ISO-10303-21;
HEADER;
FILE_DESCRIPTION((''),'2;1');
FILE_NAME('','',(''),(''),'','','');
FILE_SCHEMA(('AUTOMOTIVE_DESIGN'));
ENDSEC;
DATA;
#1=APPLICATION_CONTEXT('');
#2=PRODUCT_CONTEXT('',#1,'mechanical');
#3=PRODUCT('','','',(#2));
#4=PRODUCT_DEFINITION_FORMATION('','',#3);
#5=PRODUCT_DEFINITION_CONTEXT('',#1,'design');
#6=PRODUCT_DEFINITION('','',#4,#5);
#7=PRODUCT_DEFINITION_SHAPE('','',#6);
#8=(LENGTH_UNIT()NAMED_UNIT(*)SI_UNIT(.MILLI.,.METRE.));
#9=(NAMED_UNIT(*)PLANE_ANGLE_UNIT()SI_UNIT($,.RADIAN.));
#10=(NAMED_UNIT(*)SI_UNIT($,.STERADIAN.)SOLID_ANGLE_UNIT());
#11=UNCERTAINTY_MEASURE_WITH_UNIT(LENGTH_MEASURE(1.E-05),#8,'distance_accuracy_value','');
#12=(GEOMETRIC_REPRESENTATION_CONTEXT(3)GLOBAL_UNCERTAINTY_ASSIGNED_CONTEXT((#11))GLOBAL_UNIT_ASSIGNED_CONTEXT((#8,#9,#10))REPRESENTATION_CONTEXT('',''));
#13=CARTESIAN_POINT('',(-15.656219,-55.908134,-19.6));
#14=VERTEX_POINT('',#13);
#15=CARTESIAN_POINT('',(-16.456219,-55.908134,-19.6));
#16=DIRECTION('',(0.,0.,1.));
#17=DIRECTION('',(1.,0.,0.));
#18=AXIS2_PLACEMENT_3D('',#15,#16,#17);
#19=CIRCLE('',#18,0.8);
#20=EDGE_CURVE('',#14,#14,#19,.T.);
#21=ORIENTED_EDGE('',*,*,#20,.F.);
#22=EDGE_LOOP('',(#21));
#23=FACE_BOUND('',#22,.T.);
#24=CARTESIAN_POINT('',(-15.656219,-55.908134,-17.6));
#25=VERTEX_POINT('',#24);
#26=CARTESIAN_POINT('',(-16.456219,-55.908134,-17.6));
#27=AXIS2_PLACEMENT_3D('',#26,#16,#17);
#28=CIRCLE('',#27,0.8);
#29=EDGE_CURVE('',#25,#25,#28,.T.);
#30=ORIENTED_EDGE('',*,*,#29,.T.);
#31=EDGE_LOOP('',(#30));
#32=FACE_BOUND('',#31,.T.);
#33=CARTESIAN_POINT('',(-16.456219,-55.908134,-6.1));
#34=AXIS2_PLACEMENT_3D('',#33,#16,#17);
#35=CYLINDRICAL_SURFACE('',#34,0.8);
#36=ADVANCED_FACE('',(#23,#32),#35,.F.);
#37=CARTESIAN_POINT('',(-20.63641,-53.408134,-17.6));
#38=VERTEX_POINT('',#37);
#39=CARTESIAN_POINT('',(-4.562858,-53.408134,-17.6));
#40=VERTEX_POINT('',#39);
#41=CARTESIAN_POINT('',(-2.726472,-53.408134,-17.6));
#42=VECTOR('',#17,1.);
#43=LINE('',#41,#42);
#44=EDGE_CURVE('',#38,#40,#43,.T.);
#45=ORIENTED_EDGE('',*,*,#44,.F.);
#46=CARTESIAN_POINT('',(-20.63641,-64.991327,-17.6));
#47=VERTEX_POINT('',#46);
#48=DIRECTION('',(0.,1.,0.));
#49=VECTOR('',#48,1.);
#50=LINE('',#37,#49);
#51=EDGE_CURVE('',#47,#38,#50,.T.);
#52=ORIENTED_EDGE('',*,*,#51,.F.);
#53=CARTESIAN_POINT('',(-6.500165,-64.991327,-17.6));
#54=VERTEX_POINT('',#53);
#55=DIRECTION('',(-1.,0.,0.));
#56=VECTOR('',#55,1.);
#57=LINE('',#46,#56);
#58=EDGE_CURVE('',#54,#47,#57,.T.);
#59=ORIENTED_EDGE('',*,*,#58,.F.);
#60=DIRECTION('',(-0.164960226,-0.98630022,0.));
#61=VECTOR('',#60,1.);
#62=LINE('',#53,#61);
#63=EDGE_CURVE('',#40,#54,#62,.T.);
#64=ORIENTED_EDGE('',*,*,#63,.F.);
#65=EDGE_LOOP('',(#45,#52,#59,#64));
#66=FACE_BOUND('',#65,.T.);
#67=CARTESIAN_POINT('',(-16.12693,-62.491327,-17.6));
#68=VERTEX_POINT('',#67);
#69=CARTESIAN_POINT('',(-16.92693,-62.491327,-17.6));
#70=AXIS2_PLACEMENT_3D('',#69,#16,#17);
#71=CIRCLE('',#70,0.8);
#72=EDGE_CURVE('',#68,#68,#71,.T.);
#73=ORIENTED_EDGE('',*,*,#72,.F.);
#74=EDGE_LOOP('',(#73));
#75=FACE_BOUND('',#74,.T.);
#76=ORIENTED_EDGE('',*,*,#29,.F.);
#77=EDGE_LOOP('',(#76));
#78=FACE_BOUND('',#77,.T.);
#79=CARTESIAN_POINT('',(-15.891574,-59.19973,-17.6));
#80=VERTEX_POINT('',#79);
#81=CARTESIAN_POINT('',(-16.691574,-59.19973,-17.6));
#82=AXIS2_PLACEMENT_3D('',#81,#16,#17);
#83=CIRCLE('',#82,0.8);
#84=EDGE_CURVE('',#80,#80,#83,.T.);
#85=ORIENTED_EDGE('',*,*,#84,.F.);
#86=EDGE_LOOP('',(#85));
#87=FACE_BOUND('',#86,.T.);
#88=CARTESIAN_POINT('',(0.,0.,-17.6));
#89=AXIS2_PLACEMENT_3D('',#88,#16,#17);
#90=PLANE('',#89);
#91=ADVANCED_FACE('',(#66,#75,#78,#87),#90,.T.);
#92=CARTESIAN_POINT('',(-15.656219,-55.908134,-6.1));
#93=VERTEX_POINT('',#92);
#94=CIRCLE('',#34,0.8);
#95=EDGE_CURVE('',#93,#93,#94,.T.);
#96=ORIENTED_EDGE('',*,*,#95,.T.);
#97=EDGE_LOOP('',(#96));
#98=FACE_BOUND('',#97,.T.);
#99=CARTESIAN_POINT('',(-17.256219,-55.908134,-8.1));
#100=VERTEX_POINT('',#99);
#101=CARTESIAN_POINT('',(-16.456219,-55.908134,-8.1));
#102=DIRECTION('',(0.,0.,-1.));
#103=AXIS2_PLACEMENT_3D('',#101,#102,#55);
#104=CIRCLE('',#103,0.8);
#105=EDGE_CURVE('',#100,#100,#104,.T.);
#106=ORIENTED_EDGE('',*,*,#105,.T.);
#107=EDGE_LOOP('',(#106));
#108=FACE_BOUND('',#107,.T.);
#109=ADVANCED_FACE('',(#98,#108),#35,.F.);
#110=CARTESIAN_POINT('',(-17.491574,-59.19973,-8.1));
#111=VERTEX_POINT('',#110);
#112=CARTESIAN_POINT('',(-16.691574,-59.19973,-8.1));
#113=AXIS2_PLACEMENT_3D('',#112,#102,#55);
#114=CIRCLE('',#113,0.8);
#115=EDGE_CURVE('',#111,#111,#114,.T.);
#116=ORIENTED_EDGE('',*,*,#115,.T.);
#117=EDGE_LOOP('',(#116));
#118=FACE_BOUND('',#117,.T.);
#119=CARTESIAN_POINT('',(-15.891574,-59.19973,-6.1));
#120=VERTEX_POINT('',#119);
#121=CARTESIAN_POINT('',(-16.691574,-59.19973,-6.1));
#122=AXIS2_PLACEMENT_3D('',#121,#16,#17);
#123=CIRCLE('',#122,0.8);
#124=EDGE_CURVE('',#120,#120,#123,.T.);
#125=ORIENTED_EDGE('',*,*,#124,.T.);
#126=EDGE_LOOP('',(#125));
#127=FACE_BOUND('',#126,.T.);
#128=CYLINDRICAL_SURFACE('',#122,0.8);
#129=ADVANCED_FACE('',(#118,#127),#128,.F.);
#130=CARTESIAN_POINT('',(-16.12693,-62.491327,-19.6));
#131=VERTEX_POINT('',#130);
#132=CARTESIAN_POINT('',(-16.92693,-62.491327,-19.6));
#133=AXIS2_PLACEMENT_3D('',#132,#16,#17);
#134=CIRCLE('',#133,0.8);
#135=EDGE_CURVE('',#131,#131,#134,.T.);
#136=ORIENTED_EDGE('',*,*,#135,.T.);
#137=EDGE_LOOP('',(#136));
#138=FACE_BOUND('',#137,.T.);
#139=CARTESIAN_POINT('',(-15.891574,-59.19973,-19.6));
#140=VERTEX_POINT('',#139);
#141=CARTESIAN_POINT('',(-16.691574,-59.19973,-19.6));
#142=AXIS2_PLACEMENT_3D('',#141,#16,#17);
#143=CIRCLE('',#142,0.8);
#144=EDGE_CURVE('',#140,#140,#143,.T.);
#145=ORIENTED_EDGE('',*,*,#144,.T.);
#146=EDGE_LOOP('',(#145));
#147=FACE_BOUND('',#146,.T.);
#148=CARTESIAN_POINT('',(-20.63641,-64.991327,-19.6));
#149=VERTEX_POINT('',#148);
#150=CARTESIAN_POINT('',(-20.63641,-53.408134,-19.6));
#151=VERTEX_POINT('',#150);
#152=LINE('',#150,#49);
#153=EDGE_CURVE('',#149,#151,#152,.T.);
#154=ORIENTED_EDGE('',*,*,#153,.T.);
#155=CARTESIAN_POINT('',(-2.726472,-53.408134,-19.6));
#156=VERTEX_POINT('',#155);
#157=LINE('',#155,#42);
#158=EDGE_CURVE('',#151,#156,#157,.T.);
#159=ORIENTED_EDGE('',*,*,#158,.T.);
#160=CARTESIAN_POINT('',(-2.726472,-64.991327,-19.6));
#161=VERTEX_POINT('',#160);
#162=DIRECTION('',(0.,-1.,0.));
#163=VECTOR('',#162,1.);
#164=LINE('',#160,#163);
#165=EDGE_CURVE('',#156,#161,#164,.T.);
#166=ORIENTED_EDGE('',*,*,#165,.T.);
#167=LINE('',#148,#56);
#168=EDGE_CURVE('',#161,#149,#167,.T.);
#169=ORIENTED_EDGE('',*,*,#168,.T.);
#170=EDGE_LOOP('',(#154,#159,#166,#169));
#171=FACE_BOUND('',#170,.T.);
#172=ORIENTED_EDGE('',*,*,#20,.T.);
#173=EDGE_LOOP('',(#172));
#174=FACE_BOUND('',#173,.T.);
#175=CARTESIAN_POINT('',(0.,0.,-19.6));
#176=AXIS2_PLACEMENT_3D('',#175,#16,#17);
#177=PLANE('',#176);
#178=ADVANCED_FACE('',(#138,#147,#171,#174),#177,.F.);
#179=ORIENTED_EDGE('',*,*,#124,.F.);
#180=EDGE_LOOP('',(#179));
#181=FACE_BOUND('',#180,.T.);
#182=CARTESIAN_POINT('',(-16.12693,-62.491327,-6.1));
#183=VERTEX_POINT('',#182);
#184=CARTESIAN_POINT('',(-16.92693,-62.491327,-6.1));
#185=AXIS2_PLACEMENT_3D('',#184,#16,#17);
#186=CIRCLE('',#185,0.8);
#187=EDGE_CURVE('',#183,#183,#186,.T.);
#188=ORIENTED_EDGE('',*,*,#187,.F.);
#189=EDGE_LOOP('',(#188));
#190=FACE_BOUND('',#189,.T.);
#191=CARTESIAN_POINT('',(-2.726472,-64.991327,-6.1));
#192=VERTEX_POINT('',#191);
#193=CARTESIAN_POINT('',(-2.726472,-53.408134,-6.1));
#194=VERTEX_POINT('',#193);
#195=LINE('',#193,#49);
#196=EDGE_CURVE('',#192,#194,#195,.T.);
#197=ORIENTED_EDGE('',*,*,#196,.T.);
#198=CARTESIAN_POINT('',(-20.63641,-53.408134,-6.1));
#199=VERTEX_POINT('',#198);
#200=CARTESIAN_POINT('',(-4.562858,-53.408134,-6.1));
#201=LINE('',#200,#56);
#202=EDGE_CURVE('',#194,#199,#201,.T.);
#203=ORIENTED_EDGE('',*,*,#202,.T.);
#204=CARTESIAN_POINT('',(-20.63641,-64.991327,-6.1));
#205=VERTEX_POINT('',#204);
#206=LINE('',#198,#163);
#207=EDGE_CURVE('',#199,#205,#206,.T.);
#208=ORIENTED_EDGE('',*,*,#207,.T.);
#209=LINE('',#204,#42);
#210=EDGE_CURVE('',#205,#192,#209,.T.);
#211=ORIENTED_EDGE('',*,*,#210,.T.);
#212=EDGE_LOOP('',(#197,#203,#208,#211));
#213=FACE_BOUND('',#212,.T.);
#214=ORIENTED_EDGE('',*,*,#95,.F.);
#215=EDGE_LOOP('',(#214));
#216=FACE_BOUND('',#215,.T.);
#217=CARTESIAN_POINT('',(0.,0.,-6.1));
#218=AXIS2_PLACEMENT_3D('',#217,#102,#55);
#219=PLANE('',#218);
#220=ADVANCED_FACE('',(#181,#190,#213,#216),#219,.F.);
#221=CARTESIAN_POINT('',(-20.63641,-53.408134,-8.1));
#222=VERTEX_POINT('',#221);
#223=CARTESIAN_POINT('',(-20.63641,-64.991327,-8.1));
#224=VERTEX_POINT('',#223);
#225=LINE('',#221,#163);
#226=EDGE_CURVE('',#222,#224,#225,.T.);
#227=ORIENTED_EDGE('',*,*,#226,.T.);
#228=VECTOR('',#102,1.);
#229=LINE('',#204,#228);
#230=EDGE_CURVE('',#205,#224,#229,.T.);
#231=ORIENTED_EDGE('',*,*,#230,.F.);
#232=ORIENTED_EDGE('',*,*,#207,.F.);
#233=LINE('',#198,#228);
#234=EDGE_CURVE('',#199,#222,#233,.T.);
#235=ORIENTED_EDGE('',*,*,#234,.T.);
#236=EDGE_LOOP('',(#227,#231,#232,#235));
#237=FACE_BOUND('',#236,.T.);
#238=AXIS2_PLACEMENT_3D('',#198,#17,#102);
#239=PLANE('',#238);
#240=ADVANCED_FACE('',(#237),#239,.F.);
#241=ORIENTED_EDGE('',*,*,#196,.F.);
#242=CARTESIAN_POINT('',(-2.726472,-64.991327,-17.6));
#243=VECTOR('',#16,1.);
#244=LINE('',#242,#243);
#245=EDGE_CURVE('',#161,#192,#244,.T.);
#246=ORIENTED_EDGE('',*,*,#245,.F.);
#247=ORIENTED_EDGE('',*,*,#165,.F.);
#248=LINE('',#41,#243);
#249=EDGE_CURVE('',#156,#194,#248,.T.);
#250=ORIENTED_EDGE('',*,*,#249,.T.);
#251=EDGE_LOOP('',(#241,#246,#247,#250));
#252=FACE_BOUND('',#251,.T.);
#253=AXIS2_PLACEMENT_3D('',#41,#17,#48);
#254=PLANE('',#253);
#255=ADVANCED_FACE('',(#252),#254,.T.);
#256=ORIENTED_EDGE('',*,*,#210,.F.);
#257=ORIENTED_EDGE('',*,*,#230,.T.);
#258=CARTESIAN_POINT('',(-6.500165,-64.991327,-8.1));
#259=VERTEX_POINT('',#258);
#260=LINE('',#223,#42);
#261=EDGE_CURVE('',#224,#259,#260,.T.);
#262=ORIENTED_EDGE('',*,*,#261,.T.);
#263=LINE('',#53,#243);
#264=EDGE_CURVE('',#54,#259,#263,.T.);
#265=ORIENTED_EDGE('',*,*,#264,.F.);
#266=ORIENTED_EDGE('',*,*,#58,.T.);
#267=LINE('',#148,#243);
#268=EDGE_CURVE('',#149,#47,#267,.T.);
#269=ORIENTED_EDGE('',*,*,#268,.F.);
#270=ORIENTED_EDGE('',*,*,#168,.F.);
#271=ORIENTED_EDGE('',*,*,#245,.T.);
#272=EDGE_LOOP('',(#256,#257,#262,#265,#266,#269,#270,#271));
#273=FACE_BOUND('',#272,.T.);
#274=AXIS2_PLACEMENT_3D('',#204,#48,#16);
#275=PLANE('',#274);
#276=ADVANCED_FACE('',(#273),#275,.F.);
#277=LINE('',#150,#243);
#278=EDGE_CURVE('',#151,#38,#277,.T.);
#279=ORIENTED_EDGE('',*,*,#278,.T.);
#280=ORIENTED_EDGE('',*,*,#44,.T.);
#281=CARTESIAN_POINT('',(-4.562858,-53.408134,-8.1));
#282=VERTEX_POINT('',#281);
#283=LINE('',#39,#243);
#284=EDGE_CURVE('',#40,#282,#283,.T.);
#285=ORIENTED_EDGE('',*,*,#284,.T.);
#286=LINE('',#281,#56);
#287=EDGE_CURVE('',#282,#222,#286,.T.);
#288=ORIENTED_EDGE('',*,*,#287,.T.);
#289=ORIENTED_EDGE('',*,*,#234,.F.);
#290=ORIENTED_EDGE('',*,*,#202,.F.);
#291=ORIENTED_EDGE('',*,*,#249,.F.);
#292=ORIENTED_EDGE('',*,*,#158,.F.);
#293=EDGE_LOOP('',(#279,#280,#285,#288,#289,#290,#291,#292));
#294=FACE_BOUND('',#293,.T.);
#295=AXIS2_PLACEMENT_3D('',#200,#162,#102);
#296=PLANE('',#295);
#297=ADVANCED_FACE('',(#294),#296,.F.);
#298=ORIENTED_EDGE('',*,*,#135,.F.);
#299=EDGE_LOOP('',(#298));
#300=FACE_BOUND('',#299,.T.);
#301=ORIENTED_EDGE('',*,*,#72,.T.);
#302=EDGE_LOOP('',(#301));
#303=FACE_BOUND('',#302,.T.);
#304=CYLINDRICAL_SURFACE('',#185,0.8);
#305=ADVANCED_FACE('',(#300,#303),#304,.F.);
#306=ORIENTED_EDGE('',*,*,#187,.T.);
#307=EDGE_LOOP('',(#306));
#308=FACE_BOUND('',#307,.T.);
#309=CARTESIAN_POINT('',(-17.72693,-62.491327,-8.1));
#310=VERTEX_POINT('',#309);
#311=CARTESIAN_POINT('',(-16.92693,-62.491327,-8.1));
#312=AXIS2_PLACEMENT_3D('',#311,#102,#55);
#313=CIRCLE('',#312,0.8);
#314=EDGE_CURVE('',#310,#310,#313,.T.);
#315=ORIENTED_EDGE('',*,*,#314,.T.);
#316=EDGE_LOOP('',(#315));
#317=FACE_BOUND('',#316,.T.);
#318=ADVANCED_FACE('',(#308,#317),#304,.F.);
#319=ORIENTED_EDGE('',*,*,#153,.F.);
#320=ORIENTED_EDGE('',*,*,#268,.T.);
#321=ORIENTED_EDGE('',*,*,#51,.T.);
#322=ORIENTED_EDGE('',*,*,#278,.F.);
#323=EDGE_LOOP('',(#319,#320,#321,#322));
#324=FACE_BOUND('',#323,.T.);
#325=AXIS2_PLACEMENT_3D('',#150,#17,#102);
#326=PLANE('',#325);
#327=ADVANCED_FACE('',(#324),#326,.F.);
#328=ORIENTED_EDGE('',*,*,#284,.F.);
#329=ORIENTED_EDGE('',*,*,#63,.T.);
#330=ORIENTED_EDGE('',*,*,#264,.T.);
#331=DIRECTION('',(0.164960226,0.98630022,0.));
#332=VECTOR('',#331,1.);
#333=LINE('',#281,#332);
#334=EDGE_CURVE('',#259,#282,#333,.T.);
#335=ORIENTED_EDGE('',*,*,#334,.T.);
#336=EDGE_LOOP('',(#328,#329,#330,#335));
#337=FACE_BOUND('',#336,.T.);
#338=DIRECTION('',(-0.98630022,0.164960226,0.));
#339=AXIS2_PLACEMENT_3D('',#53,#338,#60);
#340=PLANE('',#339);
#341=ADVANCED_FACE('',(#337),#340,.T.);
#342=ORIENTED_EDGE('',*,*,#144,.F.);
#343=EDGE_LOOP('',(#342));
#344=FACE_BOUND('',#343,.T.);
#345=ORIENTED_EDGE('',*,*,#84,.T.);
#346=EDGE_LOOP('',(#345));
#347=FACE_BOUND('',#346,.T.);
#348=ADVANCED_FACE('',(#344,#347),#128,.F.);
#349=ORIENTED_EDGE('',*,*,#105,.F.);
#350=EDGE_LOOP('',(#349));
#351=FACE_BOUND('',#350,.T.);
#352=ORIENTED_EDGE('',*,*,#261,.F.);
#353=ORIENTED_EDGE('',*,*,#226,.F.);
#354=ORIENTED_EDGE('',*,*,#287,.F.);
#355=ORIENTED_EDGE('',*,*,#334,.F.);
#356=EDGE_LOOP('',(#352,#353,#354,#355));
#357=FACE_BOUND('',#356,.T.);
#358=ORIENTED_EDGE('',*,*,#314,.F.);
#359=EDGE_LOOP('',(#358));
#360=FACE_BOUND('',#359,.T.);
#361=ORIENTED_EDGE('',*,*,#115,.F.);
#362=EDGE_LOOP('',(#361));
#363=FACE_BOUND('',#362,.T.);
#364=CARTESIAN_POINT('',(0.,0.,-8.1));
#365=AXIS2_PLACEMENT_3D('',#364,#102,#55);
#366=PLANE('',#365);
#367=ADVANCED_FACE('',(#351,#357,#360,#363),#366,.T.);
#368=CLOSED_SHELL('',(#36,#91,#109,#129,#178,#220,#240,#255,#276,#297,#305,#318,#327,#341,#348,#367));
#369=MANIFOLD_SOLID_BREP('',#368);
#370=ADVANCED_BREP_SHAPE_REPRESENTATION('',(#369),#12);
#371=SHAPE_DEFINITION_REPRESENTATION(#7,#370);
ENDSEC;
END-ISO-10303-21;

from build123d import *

# Parameters (mm, degrees)
SALIENTE_EXTRUIR1_DEPTH   = 2
SALIENTE_EXTRUIR2_DEPTH   = 11.5
CROQUIS3_W                = 17.909938215
CROQUIS3_H                = 11.583193085
SALIENTE_EXTRUIR3_DEPTH   = 2
TALADRO_ROSCADO_M21_D     = 1.6
TALADRO_ROSCADO_M21_DEPTH = 17
TALADRO_ROSCADO_M21_TIP   = 0.480688495


with BuildPart() as part:
    # Croquis1 → Saliente-Extruir1 (new body)
    with BuildSketch(Plane.XY.offset(-8.1)):
        Polygon((-4.56285844, -53.408133883), (-6.500165269, -64.991326968), (-20.63641004, -64.991326968), (-20.63641004, -53.408133883), align=None)
    extrude(amount=SALIENTE_EXTRUIR1_DEPTH)

    # Croquis2 → Saliente-Extruir2 (add)
    with BuildSketch(Plane.XY.offset(-6.1)):
        Polygon((-4.56285844, -53.408133883), (-2.726471825, -53.408133883), (-2.726471825, -64.991326968), (-6.500165269, -64.991326968), align=None)
    extrude(amount=-SALIENTE_EXTRUIR2_DEPTH)

    # Croquis3 → Saliente-Extruir3 (add)
    with BuildSketch(Plane(origin=(0, 0, -17.6), x_dir=(-1, 0, 0), z_dir=(0, 0, -1))):
        with Locations((11.681440933, -59.199730426)):
            Rectangle(CROQUIS3_W, CROQUIS3_H)
    extrude(amount=SALIENTE_EXTRUIR3_DEPTH)

    # Taladro roscado M21
    with Locations(Plane.XY.offset(-6.1)):
        with Locations((-16.926929895, -62.491326968), (-16.691574413, -59.199730426), (-16.456218931, -55.908133883)):
            Hole(TALADRO_ROSCADO_M21_D / 2, depth=TALADRO_ROSCADO_M21_DEPTH)
            with Locations((0, 0, -(TALADRO_ROSCADO_M21_DEPTH + TALADRO_ROSCADO_M21_TIP / 2))):  # 118° drill point
                Cone(0, TALADRO_ROSCADO_M21_D / 2, TALADRO_ROSCADO_M21_TIP, mode=Mode.SUBTRACT)


solid = part.part
